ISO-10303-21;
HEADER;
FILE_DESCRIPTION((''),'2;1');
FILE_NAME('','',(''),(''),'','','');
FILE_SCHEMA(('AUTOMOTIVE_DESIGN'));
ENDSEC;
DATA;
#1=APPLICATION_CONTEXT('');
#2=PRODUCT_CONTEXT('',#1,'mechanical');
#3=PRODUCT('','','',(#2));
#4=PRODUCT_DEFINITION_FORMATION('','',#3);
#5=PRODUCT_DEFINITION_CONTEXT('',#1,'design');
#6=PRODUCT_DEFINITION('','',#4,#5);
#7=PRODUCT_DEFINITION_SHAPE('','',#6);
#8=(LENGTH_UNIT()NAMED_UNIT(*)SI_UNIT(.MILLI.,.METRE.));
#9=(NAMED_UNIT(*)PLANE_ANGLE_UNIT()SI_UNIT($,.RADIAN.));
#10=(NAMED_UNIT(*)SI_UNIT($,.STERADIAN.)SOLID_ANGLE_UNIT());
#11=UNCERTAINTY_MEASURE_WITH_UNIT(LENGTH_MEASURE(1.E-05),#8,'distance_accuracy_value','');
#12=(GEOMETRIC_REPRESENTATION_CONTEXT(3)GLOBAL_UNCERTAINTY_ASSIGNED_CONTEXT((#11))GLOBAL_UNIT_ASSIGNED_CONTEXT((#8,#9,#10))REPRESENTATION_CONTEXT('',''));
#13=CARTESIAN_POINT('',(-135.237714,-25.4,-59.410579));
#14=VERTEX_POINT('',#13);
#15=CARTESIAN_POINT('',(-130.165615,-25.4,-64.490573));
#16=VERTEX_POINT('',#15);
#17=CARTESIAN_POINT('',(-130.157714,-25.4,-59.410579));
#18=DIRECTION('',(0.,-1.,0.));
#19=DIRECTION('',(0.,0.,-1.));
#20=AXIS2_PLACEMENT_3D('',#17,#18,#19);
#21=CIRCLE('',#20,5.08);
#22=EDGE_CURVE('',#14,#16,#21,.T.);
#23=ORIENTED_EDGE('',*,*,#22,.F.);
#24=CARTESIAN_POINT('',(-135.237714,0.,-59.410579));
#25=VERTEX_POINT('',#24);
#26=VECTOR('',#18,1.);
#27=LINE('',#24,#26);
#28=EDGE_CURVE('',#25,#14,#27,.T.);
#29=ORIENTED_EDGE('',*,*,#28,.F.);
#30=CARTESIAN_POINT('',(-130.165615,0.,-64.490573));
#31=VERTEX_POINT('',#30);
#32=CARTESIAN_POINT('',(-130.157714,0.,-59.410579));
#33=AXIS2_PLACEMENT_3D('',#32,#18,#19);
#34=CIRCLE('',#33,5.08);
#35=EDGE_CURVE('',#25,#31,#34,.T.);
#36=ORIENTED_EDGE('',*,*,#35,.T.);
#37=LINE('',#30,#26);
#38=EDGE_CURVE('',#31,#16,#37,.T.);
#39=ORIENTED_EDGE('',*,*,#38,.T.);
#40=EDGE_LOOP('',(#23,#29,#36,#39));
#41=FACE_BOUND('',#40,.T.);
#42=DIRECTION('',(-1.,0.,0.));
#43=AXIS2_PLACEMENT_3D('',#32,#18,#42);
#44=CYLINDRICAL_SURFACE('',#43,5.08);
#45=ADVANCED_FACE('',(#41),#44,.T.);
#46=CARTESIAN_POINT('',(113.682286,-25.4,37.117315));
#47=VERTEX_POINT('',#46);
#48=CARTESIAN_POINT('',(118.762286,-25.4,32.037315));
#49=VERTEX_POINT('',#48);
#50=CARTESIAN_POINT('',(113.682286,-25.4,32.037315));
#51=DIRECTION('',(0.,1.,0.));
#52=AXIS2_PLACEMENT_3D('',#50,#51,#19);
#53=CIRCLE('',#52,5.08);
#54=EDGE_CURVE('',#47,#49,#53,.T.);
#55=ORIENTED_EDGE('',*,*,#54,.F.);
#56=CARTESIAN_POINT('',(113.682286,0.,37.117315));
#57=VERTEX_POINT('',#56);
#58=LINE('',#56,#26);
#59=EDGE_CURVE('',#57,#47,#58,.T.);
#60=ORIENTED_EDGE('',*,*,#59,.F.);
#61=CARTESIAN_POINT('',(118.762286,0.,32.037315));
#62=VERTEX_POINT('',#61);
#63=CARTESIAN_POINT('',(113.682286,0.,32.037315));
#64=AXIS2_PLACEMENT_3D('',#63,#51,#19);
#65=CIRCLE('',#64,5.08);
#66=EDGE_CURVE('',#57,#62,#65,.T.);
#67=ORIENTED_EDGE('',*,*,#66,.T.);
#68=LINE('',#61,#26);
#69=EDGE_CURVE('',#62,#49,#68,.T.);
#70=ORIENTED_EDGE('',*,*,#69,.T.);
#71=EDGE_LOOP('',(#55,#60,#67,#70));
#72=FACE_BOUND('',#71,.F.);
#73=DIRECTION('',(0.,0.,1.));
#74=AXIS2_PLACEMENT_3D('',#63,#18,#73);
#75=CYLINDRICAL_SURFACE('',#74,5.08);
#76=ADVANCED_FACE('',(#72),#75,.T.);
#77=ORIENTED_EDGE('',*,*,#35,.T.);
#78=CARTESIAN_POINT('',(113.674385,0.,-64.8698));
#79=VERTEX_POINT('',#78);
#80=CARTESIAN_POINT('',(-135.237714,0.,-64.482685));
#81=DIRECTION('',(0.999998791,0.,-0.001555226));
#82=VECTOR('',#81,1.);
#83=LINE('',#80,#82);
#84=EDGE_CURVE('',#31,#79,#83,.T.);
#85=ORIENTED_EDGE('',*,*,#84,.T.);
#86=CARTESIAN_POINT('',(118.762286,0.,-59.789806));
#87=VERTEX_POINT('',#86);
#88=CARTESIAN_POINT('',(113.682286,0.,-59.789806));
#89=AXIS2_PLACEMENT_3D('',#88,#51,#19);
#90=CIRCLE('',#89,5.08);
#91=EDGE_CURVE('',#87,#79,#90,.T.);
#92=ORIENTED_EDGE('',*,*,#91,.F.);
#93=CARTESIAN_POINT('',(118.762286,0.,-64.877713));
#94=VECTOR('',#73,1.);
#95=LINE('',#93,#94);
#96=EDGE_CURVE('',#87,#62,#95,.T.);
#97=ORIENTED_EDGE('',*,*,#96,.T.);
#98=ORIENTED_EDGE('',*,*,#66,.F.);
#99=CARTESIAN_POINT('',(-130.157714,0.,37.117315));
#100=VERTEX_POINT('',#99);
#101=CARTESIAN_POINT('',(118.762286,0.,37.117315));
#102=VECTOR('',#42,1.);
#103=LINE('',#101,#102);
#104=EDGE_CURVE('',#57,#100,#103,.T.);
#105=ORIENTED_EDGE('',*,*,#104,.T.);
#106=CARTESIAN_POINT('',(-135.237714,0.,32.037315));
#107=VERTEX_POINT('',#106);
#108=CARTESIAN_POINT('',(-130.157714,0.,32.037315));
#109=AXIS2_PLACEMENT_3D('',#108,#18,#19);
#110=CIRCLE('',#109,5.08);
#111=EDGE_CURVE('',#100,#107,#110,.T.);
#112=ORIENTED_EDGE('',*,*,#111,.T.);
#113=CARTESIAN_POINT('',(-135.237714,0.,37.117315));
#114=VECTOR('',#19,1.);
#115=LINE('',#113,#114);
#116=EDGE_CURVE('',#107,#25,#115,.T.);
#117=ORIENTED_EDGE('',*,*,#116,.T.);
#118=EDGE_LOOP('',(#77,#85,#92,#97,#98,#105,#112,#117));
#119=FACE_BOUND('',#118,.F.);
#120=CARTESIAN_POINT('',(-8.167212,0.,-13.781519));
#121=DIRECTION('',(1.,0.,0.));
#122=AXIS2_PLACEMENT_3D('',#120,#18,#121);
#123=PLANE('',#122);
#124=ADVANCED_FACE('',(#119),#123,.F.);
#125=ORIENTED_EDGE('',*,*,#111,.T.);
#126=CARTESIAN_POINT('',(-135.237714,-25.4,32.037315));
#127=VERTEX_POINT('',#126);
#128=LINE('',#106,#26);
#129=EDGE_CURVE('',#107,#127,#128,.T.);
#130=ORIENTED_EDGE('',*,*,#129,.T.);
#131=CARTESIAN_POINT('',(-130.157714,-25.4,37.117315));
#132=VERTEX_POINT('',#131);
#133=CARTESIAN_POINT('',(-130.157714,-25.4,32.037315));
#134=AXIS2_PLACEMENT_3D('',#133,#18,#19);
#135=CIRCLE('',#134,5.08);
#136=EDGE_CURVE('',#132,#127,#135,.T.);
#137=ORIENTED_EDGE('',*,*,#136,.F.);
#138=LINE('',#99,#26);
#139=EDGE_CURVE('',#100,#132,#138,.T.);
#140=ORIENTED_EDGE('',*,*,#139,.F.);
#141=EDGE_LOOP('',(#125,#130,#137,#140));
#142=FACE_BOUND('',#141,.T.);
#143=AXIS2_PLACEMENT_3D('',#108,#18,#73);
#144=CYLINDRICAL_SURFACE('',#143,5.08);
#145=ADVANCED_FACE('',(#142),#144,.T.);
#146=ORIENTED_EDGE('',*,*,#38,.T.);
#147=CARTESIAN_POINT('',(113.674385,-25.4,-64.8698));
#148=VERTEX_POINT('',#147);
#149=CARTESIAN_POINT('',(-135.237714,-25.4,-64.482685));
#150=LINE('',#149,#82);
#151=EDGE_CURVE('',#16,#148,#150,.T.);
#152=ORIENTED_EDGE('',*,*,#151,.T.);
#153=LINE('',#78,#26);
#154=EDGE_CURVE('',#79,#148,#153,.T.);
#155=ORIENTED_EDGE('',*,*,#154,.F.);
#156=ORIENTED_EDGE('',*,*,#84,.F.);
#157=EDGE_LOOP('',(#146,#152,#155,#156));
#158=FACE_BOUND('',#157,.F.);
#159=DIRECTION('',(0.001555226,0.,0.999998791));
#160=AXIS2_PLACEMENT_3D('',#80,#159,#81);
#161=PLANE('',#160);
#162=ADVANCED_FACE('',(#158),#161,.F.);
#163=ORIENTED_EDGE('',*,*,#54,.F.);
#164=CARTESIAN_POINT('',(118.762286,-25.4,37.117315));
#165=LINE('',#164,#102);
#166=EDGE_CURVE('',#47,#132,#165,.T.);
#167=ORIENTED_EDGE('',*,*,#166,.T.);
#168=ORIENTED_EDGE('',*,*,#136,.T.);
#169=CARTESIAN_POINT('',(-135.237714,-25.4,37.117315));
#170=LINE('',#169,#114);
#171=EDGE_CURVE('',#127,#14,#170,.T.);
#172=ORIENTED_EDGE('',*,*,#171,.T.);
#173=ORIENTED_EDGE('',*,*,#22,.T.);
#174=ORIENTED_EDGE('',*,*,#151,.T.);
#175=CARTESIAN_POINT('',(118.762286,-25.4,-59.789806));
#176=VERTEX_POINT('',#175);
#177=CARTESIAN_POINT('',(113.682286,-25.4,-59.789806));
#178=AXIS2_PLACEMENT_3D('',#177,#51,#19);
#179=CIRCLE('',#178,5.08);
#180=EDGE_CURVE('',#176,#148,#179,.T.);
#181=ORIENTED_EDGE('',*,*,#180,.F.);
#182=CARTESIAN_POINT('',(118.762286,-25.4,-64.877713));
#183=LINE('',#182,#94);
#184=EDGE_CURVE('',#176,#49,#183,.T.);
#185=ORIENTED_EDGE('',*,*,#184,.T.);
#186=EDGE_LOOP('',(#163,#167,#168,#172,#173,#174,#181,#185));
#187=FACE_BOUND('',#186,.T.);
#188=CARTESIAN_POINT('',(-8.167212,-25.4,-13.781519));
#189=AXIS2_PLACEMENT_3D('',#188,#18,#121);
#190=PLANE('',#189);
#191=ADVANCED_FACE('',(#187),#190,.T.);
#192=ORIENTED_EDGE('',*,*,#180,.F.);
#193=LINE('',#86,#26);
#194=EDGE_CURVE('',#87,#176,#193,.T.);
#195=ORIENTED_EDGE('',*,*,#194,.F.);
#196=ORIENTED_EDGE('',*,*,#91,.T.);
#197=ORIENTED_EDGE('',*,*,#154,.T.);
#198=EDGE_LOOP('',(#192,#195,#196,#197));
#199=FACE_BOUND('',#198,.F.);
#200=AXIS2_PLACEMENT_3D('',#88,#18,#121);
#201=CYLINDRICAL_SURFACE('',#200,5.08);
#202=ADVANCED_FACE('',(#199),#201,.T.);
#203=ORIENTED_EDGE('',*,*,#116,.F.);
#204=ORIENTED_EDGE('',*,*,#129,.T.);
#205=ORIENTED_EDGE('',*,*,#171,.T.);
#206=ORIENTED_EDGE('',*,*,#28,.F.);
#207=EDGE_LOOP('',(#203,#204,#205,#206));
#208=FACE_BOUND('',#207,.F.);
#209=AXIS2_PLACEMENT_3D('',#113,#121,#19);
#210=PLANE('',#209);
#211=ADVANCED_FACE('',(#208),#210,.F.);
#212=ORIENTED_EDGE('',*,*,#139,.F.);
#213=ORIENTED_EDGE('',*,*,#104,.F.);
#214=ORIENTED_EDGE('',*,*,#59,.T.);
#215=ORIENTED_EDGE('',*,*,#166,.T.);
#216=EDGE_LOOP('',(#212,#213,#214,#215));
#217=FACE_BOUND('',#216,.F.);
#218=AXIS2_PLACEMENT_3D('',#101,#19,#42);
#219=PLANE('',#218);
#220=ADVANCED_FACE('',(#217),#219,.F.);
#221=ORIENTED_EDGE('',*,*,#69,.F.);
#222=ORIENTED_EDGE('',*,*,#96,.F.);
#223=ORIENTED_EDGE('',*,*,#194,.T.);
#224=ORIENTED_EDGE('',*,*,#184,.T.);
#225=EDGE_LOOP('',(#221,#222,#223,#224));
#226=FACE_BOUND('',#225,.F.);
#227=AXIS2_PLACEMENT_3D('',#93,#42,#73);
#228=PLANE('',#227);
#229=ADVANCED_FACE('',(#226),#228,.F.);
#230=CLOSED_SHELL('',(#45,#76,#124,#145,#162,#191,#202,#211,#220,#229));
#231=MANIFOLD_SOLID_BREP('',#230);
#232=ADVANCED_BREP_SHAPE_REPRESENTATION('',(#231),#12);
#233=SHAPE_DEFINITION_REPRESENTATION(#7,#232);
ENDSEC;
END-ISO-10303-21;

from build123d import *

# Parameters (mm, degrees)
F1_DEPTH = 25.4
F2_R     = 5.08
F3_R     = 5.08


with BuildPart() as f1:
    # F0 (on Front) → F1 (new body)
    with BuildSketch(Plane.XZ):
        Polygon((118.762286, 37.117315), (-135.237714, 37.117315), (-135.237714, -64.482685), (118.762286, -64.877713), align=None)
    extrude(amount=F1_DEPTH)

    # F2
    f2_edges = [f1.edges().sort_by_distance(p)[0] for p in [
        (-135.237714, -12.7, 37.117315),
    ]]
    fillet(f2_edges, radius=F2_R)

    # F3
    f3_edges = [f1.edges().sort_by_distance(p)[0] for p in [
        (118.762286, -12.7, 37.117315),
        (118.762286, -12.7, -64.877713),
        (-135.237714, -12.7, -64.482685),
    ]]
    fillet(f3_edges, radius=F3_R)


solid = f1.part
